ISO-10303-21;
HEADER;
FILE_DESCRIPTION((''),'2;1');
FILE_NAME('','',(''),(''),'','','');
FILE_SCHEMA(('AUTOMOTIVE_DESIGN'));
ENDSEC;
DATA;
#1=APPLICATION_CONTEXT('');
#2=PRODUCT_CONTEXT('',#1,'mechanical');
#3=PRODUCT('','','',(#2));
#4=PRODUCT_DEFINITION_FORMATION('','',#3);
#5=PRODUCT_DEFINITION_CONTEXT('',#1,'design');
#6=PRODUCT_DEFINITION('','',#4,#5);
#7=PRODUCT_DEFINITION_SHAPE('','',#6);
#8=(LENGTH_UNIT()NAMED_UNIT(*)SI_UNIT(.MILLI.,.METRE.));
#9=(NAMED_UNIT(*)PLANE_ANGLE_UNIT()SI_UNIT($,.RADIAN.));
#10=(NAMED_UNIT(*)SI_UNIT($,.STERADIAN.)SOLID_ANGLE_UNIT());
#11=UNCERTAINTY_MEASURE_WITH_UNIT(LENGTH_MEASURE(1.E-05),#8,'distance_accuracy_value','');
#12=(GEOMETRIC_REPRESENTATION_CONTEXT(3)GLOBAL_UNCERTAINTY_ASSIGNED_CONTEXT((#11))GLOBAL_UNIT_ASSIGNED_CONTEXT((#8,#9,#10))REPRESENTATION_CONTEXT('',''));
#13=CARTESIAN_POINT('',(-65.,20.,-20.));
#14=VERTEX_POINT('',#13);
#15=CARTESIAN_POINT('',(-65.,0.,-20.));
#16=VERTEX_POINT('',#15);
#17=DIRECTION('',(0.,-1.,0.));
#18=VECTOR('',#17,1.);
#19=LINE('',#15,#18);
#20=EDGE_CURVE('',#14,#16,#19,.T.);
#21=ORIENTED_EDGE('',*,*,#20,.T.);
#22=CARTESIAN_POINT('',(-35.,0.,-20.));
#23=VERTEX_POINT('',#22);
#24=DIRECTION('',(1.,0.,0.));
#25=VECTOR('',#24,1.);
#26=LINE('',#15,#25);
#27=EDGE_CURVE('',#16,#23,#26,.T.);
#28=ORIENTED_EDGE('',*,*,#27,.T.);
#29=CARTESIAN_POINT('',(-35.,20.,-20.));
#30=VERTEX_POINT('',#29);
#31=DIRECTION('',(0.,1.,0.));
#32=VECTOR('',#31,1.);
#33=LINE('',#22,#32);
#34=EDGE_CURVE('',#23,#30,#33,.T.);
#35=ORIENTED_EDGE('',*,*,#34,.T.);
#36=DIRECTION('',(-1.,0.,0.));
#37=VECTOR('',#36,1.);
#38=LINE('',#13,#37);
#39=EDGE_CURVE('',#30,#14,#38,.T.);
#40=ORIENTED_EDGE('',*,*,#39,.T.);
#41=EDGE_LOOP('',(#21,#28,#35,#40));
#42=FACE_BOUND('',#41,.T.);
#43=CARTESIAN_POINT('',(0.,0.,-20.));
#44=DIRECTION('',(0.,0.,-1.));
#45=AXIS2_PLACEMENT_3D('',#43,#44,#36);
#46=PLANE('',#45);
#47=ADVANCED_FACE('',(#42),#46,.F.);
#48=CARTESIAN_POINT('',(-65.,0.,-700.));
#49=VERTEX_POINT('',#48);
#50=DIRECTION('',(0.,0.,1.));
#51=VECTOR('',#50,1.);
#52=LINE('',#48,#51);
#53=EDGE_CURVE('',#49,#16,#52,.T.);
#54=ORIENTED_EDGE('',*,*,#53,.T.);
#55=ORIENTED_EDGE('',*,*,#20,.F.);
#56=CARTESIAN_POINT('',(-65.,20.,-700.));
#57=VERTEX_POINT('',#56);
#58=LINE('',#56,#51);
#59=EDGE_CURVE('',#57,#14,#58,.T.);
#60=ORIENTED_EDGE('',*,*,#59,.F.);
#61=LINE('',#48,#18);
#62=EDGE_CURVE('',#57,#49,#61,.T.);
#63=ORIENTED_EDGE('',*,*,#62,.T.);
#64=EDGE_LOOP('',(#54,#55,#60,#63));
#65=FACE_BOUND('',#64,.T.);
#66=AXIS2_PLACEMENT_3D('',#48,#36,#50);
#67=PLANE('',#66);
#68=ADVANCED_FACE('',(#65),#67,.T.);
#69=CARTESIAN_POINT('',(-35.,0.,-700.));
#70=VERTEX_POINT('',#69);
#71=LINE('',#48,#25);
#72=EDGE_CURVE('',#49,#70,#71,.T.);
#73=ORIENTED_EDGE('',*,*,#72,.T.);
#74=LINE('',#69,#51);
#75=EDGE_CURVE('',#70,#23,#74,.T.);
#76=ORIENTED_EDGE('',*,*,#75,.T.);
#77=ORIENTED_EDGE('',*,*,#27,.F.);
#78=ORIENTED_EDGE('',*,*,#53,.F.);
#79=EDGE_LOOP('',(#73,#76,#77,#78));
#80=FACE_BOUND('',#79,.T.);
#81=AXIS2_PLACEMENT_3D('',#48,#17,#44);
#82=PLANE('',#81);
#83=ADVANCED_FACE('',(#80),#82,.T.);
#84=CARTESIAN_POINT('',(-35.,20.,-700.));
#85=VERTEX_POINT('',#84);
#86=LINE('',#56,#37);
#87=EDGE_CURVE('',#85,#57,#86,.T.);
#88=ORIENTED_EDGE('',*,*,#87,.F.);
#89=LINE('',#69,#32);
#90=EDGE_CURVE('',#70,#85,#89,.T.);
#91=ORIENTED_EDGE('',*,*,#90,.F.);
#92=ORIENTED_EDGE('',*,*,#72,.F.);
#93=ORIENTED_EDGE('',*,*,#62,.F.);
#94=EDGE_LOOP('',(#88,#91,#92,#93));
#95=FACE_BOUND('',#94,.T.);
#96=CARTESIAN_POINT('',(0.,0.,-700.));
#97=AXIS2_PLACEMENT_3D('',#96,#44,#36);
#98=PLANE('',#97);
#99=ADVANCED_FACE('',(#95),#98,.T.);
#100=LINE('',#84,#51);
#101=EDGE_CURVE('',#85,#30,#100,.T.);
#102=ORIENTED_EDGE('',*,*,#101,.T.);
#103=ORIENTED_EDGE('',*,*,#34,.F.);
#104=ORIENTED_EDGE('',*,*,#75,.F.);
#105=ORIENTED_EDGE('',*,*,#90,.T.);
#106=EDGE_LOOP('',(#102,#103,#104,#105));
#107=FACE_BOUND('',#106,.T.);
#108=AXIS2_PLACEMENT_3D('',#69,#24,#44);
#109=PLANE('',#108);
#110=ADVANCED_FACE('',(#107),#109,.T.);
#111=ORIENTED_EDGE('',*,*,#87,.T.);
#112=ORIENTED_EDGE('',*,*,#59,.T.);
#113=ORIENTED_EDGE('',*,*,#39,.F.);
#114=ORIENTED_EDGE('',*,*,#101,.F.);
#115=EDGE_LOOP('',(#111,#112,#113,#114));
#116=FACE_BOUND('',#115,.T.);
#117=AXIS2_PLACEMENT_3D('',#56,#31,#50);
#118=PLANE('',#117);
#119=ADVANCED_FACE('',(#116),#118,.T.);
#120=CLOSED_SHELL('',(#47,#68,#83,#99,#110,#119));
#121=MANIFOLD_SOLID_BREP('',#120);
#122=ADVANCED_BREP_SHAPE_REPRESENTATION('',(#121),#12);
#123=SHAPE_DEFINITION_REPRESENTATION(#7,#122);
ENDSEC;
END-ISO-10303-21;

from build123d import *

# Parameters (mm, degrees)
KAPYAG_KIZAK_SOL_30X20_1_START = -20
SKETCH1_W                      = 30
SKETCH1_H                      = 20
KAPYAG_KIZAK_SOL_30X20_1_DEPTH = 680


with BuildPart() as part:
    # Sketch1 → KAPYAG_kizak_sol_30x20_1 (new body)
    with BuildSketch(Plane.XY.offset(KAPYAG_KIZAK_SOL_30X20_1_START)):
        with Locations((-50, 10)):
            Rectangle(SKETCH1_W, SKETCH1_H)
    extrude(amount=-KAPYAG_KIZAK_SOL_30X20_1_DEPTH)


solid = part.part
